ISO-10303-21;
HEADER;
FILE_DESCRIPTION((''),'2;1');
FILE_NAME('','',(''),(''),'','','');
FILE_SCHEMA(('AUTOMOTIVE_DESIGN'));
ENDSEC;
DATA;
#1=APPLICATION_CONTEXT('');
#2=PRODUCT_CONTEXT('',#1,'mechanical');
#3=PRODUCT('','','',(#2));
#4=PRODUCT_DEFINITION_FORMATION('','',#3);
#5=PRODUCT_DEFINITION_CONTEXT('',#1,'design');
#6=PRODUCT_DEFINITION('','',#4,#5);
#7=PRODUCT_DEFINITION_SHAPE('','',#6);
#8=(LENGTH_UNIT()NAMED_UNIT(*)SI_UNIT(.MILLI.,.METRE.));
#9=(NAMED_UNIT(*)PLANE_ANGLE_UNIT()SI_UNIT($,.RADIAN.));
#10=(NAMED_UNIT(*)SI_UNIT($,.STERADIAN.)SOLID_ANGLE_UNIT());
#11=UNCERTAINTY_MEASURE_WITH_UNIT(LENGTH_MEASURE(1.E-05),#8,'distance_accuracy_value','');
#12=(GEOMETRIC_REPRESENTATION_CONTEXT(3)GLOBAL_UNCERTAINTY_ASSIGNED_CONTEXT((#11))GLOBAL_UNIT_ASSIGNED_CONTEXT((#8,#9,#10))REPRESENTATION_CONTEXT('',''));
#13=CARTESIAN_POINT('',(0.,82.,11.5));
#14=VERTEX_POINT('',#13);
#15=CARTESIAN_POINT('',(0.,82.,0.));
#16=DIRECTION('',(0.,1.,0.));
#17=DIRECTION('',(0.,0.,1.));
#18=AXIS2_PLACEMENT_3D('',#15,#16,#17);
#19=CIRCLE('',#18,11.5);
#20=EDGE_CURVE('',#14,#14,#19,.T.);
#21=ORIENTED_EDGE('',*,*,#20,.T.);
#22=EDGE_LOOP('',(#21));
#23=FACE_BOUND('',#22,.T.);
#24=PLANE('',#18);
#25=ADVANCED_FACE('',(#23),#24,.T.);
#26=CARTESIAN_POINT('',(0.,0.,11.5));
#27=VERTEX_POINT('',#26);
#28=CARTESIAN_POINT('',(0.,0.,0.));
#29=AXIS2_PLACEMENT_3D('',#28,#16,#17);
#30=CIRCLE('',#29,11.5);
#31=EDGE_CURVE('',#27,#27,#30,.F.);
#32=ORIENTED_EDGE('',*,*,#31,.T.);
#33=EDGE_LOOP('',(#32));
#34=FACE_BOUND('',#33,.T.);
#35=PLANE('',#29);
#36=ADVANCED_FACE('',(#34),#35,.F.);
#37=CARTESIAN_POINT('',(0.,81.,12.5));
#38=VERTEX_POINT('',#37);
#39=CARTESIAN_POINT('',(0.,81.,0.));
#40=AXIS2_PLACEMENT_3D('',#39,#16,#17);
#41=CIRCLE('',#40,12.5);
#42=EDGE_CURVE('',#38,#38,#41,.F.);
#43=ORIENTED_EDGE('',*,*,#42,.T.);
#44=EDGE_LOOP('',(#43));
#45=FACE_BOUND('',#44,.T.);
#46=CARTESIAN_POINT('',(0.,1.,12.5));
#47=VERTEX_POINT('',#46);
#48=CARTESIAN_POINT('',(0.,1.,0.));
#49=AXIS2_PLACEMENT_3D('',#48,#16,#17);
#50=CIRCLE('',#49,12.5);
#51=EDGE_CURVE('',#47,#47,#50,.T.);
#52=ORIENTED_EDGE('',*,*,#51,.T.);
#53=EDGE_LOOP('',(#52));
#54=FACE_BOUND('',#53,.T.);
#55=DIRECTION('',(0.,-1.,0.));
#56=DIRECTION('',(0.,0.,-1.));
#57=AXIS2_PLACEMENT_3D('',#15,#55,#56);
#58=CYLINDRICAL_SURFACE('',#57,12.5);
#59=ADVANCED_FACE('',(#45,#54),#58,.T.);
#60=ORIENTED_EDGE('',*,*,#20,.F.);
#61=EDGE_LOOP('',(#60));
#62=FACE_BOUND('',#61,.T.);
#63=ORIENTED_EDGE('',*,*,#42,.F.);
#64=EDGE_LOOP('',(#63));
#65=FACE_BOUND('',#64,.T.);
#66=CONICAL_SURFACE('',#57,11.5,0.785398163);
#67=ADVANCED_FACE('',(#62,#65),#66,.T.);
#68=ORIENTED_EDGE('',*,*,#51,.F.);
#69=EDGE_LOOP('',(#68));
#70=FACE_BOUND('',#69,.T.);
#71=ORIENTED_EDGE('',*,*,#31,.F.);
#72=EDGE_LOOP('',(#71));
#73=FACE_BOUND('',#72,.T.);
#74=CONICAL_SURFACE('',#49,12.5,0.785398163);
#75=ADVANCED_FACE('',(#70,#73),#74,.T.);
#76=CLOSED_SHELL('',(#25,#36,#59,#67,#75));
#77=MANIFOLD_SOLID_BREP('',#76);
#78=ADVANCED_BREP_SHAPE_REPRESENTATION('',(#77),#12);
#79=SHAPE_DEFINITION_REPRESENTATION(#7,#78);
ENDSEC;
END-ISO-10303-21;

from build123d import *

# Parameters (mm, degrees)
SKETCH1_R           = 12.5
BOSS_EXTRUDE1_DEPTH = 82
CHAMFER2_SIZE       = 1


with BuildPart() as part:
    # Sketch1 → Boss-Extrude1 (new body)
    with BuildSketch(Plane(origin=(0, 0, 0), x_dir=(1, 0, 0), z_dir=(0, 1, 0))):
        Circle(SKETCH1_R)
    extrude(amount=BOSS_EXTRUDE1_DEPTH)

    # Chamfer2
    chamfer2_edges = [part.edges().sort_by_distance(p)[0] for p in [
        (-12.5, 0, 0),
        (-12.5, 82, 0),
    ]]
    chamfer(chamfer2_edges, length=CHAMFER2_SIZE)


solid = part.part
